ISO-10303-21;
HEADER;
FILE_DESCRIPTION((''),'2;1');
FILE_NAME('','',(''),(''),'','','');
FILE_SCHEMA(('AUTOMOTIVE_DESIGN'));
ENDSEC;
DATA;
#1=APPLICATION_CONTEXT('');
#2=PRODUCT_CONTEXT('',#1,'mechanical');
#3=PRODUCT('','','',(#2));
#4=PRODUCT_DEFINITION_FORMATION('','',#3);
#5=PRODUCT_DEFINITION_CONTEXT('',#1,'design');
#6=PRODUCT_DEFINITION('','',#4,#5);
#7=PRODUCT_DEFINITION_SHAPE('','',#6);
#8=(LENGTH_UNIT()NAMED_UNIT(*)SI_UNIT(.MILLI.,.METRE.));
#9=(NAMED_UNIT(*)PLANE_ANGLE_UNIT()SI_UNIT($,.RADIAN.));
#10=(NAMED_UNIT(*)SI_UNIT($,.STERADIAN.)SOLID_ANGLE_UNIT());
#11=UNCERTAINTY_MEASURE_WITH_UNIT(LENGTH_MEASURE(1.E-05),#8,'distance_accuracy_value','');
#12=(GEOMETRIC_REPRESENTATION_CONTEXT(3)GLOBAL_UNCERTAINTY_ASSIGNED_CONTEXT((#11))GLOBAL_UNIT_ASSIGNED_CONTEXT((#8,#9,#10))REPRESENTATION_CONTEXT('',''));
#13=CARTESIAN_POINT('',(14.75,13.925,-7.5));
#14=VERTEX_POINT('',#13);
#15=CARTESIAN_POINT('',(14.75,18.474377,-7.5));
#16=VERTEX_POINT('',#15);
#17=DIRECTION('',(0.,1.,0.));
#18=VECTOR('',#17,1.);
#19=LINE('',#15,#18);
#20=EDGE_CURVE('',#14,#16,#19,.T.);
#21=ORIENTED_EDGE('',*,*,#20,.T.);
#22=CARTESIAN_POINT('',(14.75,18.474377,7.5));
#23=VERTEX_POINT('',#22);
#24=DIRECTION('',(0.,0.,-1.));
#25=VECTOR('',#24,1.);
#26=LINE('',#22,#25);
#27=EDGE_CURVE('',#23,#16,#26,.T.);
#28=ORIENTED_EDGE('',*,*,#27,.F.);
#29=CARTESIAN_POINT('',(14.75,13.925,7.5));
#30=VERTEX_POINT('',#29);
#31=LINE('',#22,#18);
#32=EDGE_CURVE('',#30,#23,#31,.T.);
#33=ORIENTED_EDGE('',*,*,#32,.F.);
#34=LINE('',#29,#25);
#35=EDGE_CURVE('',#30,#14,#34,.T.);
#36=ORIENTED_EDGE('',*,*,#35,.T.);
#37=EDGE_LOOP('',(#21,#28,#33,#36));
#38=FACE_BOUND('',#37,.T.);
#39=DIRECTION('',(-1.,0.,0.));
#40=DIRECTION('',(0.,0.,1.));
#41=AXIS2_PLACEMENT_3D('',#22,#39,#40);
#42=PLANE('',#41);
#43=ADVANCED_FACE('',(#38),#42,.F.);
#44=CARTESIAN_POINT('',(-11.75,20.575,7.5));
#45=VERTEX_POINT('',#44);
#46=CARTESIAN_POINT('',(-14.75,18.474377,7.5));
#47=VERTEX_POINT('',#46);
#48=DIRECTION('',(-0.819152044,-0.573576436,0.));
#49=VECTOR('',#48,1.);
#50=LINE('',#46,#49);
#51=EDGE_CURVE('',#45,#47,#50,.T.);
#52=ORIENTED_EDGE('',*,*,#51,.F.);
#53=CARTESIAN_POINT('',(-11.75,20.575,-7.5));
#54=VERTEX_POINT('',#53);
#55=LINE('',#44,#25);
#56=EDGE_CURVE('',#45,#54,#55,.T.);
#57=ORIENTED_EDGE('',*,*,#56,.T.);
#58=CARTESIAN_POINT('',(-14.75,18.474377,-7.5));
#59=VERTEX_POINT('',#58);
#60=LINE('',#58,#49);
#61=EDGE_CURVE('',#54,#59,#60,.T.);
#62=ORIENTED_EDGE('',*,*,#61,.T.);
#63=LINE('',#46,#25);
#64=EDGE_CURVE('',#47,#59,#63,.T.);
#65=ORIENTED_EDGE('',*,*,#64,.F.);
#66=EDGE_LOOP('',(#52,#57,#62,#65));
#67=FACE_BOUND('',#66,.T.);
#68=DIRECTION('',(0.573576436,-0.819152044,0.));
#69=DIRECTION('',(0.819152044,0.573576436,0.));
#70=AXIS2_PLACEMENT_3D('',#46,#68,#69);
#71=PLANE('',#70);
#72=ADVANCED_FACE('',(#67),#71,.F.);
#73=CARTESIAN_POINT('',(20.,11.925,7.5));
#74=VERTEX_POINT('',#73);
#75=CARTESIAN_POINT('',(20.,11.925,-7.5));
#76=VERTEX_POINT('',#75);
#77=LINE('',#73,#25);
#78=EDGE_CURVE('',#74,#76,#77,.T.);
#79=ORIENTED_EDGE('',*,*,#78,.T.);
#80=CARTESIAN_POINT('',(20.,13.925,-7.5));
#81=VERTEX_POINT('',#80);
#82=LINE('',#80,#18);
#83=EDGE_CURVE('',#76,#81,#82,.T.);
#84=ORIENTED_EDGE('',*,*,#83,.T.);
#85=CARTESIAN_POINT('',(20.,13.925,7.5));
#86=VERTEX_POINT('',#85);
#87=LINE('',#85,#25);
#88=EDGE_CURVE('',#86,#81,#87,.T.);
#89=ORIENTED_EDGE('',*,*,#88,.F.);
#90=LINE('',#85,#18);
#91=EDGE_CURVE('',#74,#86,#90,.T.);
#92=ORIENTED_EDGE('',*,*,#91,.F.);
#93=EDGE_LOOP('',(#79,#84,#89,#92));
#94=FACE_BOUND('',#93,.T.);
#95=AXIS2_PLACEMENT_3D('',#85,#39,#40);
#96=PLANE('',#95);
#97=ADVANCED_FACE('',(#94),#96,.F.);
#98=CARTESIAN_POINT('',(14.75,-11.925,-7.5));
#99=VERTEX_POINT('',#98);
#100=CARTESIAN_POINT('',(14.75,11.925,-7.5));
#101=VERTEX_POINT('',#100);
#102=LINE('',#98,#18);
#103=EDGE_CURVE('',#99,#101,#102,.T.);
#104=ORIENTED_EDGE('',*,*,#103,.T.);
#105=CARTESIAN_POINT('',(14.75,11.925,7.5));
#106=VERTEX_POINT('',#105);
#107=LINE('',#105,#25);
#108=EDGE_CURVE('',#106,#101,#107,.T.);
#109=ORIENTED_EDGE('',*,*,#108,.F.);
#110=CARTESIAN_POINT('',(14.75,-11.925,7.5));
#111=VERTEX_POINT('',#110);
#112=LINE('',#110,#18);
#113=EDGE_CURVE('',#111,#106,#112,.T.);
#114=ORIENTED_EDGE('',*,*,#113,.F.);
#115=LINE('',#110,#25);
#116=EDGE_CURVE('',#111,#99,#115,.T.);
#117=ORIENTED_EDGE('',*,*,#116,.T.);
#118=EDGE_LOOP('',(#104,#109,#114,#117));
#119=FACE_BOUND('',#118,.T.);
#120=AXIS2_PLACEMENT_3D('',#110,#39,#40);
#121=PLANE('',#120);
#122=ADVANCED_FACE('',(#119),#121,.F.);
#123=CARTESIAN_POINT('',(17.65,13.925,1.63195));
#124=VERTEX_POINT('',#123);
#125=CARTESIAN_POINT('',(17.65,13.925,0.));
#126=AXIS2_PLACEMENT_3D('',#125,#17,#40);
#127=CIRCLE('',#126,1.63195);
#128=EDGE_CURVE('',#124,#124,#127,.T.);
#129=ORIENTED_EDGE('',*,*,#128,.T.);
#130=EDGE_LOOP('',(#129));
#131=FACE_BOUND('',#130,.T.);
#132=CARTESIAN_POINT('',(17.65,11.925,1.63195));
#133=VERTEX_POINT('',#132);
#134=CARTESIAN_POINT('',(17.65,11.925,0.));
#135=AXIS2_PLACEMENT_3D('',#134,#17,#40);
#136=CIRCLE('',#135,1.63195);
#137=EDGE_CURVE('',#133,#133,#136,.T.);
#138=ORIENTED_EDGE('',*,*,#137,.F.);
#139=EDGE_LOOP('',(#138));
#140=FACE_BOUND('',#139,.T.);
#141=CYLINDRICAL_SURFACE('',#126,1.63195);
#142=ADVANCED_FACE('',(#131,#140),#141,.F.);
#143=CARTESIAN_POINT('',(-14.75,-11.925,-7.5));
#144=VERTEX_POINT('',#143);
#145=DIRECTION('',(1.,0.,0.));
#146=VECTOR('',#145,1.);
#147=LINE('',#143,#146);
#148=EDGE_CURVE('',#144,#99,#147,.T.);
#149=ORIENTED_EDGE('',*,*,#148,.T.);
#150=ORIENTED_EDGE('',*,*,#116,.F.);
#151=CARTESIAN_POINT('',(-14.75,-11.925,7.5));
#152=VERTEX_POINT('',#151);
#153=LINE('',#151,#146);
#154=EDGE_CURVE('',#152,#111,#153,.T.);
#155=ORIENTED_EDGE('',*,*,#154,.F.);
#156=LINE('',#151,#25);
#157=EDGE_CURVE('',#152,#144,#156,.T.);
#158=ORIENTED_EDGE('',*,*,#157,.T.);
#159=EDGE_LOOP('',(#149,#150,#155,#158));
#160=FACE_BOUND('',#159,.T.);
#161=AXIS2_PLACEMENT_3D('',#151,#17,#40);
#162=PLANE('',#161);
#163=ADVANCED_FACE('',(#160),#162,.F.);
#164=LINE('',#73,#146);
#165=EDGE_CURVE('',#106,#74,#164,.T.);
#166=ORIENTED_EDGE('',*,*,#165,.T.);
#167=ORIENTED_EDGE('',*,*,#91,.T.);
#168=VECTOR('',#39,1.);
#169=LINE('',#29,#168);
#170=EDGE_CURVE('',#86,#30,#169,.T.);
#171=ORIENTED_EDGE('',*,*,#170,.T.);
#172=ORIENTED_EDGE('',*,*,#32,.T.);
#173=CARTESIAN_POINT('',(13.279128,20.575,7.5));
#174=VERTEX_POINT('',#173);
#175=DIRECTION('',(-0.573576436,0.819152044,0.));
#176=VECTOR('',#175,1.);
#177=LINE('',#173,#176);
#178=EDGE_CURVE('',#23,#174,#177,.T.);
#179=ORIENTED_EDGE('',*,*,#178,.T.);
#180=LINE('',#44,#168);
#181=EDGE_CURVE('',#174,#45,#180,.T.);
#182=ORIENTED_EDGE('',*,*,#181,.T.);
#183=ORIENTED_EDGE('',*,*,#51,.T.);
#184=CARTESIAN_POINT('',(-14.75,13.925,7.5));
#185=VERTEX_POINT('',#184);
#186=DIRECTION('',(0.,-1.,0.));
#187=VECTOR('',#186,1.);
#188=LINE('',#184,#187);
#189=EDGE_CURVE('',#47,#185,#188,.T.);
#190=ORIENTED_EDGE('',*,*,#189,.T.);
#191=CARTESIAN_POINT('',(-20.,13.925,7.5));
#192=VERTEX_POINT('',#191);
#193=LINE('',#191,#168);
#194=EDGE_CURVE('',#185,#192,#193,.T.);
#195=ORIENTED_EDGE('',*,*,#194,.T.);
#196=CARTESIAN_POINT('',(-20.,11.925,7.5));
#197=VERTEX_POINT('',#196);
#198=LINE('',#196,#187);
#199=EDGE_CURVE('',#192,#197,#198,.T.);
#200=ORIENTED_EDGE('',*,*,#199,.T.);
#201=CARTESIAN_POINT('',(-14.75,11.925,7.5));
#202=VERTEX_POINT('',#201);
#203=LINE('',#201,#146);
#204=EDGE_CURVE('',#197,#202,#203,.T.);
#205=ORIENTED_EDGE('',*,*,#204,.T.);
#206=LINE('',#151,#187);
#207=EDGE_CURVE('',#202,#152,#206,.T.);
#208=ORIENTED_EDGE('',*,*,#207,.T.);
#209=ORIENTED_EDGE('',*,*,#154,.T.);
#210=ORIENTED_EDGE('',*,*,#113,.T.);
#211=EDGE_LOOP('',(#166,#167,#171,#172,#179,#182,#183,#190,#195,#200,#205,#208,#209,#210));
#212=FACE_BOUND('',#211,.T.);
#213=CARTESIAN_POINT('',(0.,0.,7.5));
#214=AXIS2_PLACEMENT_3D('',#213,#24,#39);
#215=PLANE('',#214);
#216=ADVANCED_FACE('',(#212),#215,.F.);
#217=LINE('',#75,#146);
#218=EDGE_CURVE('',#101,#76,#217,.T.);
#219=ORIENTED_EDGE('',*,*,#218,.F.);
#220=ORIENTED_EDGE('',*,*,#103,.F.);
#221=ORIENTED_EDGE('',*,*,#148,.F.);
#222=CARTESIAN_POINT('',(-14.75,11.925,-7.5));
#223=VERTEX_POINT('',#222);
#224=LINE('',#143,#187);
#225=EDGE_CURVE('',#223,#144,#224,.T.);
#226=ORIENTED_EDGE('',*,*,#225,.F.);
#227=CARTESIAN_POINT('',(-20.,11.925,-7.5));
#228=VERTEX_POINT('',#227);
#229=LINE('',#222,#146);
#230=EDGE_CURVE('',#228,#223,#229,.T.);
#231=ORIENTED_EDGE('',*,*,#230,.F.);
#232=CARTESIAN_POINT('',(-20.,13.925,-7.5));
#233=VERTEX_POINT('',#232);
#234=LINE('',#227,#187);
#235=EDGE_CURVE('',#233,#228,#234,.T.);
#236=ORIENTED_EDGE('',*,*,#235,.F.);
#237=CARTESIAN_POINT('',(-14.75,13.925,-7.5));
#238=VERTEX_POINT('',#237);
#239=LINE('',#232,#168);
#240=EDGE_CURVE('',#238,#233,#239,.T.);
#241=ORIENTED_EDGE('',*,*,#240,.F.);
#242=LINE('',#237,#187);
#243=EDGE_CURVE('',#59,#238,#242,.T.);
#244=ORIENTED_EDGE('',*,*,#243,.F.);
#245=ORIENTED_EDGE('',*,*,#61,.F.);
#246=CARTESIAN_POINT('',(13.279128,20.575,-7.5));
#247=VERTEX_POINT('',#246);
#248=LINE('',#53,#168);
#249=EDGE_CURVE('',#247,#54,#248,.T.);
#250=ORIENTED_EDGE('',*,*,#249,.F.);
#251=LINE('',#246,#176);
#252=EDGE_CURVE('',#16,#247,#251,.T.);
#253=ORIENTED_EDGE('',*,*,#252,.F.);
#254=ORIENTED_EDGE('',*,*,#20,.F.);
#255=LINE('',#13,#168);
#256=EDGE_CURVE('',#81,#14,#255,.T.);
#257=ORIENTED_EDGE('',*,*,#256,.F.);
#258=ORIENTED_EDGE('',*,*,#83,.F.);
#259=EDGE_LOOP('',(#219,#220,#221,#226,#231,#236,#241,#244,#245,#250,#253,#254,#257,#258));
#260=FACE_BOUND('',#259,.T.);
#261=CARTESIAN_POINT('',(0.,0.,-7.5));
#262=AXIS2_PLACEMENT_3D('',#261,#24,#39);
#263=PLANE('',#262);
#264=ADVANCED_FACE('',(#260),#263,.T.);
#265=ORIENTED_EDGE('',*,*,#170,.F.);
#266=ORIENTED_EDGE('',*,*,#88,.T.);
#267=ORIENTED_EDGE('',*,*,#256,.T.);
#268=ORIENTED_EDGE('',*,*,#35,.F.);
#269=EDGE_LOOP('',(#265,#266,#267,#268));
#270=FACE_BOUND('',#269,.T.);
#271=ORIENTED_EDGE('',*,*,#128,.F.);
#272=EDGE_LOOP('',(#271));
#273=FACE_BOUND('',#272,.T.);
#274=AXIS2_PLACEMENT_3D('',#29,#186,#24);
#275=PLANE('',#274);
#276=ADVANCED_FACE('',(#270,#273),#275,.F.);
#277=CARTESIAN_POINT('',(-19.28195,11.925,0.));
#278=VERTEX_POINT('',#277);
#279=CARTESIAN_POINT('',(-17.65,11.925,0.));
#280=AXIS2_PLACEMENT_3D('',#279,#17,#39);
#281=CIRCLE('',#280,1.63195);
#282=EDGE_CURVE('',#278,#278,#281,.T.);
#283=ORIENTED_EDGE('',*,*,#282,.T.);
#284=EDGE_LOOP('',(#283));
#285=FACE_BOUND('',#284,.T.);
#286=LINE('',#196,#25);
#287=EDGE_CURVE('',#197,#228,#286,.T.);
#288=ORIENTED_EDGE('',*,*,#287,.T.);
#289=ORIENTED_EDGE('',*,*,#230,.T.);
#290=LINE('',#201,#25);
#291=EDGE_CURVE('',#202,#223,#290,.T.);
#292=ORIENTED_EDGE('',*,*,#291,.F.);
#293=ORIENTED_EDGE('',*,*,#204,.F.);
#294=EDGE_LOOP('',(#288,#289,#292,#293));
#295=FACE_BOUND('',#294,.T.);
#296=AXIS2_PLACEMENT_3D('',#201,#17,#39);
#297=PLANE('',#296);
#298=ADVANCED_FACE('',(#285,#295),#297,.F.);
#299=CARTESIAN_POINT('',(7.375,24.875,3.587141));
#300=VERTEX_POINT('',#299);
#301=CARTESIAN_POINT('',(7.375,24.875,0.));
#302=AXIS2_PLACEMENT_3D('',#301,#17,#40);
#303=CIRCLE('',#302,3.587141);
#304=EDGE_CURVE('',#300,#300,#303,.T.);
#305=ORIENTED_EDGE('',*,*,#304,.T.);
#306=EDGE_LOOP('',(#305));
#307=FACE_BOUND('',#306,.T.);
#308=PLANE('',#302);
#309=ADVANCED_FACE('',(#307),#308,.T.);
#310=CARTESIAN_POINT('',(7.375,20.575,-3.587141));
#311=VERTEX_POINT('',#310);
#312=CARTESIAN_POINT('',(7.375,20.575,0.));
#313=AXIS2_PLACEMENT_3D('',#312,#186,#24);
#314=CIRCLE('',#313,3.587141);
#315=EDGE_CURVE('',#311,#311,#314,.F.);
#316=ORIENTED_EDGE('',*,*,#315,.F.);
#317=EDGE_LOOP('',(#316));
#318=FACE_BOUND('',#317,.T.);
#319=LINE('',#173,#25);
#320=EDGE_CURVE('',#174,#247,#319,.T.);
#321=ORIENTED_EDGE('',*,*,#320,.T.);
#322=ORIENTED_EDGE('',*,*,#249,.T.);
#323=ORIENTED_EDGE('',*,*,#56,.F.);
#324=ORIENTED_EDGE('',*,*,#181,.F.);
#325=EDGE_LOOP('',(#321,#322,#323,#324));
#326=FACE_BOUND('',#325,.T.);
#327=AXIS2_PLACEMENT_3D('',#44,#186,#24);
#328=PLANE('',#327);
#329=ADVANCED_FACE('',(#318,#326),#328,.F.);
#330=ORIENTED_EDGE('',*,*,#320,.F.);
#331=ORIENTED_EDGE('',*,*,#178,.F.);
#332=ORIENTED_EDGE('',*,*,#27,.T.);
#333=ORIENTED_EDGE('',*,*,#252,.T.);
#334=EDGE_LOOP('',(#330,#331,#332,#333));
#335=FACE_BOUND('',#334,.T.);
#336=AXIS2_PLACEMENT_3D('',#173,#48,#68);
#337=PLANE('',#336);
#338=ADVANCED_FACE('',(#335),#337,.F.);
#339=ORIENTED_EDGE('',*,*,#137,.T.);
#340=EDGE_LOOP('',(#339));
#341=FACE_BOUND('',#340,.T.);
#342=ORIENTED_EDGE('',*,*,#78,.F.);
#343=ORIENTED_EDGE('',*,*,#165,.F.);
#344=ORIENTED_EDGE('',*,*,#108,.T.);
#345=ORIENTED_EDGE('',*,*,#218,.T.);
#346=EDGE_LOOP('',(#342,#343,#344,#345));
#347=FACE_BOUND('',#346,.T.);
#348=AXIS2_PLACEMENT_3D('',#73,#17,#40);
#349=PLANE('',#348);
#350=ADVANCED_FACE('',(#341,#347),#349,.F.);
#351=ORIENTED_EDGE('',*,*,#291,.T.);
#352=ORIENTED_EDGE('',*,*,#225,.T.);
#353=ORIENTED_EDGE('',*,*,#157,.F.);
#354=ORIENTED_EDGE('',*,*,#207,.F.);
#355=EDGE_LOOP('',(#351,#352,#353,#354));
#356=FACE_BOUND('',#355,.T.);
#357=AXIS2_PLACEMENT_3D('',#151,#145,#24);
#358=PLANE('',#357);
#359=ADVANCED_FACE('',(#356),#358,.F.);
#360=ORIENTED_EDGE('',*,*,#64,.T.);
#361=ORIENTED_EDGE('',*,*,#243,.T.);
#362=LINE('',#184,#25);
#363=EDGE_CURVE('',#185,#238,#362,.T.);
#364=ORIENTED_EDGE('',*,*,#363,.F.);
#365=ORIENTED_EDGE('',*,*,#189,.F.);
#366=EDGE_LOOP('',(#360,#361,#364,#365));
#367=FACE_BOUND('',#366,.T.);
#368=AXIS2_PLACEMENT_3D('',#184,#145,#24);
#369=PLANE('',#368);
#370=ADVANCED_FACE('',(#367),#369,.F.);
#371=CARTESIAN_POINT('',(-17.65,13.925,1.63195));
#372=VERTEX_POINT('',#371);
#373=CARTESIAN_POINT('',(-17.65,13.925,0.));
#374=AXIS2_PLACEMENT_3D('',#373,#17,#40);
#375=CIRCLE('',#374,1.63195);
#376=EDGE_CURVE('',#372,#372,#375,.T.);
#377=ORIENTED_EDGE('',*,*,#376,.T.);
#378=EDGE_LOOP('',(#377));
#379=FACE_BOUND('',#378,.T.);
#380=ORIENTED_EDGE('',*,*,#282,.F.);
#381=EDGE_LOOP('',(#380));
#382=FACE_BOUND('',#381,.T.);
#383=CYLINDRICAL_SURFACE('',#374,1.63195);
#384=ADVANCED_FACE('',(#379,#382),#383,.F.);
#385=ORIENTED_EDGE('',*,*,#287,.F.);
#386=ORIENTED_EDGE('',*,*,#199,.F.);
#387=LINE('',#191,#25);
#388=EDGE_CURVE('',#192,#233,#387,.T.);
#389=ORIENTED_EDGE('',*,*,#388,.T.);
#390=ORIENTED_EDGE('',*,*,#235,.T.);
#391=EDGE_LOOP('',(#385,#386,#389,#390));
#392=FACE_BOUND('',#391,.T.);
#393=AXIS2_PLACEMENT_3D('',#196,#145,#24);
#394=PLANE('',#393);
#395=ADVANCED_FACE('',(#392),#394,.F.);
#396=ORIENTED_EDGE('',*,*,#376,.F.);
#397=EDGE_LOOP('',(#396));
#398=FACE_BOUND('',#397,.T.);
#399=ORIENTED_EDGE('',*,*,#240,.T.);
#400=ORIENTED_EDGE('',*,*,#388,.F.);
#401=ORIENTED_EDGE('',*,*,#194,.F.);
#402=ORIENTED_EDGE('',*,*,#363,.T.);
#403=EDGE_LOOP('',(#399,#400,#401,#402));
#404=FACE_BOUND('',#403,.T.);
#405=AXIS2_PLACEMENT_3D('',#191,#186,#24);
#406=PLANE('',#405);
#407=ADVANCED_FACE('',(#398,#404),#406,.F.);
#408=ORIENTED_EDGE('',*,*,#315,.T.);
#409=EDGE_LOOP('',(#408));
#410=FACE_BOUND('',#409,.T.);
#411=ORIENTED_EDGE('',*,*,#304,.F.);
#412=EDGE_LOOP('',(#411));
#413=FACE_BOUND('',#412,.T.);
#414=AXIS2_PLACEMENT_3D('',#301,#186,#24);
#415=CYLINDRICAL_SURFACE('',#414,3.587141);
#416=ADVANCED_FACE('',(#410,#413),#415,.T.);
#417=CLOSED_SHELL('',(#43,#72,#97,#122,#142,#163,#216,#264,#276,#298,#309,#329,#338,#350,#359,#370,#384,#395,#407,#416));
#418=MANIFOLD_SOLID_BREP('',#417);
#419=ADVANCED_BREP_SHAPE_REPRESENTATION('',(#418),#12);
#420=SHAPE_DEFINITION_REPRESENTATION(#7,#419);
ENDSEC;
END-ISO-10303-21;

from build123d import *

# Parameters (mm, degrees)
BOSS_EXTRUDE1_DEPTH       = 7.5
SKETCH2_R                 = 3.587141307
BOSS_EXTRUDE2_DEPTH       = 4.3
F_4_CLEARANCE_HOLE1_D     = 3.2639
F_4_CLEARANCE_HOLE1_DEPTH = 5.84
F_4_CLEARANCE_HOLE1_TIP   = 0.980574487


with BuildPart() as part:
    # Sketch1 → Boss-Extrude1 (new, symmetric)
    with BuildSketch(Plane.XY):
        Polygon((-14.75, 11.925), (-20, 11.925), (-20, 13.925), (-14.75, 13.925), (-14.75, 18.474377385), (-11.75, 20.575), (13.27912821, 20.575), (14.75, 18.474377385), (14.75, 13.925), (20, 13.925), (20, 11.925), (14.75, 11.925), (14.75, -11.925), (-14.75, -11.925), align=None)
    extrude(amount=BOSS_EXTRUDE1_DEPTH, both=True)

    # Sketch2 → Boss-Extrude2 (add)
    with BuildSketch(Plane(origin=(0, 20.575, 0), x_dir=(1, 0, 0), z_dir=(0, 1, 0))):
        with Locations((7.375, 0)):
            Circle(SKETCH2_R)
    extrude(amount=BOSS_EXTRUDE2_DEPTH)

    # #4 Clearance Hole1
    with Locations(Plane(origin=(0, 13.925, 0), x_dir=(1, 0, 0), z_dir=(0, 1, 0))):
        with Locations((-17.65, 0), (17.65, 0)):
            Hole(F_4_CLEARANCE_HOLE1_D / 2, depth=F_4_CLEARANCE_HOLE1_DEPTH)
            with Locations((0, 0, -(F_4_CLEARANCE_HOLE1_DEPTH + F_4_CLEARANCE_HOLE1_TIP / 2))):  # 118° drill point
                Cone(0, F_4_CLEARANCE_HOLE1_D / 2, F_4_CLEARANCE_HOLE1_TIP, mode=Mode.SUBTRACT)


solid = part.part
